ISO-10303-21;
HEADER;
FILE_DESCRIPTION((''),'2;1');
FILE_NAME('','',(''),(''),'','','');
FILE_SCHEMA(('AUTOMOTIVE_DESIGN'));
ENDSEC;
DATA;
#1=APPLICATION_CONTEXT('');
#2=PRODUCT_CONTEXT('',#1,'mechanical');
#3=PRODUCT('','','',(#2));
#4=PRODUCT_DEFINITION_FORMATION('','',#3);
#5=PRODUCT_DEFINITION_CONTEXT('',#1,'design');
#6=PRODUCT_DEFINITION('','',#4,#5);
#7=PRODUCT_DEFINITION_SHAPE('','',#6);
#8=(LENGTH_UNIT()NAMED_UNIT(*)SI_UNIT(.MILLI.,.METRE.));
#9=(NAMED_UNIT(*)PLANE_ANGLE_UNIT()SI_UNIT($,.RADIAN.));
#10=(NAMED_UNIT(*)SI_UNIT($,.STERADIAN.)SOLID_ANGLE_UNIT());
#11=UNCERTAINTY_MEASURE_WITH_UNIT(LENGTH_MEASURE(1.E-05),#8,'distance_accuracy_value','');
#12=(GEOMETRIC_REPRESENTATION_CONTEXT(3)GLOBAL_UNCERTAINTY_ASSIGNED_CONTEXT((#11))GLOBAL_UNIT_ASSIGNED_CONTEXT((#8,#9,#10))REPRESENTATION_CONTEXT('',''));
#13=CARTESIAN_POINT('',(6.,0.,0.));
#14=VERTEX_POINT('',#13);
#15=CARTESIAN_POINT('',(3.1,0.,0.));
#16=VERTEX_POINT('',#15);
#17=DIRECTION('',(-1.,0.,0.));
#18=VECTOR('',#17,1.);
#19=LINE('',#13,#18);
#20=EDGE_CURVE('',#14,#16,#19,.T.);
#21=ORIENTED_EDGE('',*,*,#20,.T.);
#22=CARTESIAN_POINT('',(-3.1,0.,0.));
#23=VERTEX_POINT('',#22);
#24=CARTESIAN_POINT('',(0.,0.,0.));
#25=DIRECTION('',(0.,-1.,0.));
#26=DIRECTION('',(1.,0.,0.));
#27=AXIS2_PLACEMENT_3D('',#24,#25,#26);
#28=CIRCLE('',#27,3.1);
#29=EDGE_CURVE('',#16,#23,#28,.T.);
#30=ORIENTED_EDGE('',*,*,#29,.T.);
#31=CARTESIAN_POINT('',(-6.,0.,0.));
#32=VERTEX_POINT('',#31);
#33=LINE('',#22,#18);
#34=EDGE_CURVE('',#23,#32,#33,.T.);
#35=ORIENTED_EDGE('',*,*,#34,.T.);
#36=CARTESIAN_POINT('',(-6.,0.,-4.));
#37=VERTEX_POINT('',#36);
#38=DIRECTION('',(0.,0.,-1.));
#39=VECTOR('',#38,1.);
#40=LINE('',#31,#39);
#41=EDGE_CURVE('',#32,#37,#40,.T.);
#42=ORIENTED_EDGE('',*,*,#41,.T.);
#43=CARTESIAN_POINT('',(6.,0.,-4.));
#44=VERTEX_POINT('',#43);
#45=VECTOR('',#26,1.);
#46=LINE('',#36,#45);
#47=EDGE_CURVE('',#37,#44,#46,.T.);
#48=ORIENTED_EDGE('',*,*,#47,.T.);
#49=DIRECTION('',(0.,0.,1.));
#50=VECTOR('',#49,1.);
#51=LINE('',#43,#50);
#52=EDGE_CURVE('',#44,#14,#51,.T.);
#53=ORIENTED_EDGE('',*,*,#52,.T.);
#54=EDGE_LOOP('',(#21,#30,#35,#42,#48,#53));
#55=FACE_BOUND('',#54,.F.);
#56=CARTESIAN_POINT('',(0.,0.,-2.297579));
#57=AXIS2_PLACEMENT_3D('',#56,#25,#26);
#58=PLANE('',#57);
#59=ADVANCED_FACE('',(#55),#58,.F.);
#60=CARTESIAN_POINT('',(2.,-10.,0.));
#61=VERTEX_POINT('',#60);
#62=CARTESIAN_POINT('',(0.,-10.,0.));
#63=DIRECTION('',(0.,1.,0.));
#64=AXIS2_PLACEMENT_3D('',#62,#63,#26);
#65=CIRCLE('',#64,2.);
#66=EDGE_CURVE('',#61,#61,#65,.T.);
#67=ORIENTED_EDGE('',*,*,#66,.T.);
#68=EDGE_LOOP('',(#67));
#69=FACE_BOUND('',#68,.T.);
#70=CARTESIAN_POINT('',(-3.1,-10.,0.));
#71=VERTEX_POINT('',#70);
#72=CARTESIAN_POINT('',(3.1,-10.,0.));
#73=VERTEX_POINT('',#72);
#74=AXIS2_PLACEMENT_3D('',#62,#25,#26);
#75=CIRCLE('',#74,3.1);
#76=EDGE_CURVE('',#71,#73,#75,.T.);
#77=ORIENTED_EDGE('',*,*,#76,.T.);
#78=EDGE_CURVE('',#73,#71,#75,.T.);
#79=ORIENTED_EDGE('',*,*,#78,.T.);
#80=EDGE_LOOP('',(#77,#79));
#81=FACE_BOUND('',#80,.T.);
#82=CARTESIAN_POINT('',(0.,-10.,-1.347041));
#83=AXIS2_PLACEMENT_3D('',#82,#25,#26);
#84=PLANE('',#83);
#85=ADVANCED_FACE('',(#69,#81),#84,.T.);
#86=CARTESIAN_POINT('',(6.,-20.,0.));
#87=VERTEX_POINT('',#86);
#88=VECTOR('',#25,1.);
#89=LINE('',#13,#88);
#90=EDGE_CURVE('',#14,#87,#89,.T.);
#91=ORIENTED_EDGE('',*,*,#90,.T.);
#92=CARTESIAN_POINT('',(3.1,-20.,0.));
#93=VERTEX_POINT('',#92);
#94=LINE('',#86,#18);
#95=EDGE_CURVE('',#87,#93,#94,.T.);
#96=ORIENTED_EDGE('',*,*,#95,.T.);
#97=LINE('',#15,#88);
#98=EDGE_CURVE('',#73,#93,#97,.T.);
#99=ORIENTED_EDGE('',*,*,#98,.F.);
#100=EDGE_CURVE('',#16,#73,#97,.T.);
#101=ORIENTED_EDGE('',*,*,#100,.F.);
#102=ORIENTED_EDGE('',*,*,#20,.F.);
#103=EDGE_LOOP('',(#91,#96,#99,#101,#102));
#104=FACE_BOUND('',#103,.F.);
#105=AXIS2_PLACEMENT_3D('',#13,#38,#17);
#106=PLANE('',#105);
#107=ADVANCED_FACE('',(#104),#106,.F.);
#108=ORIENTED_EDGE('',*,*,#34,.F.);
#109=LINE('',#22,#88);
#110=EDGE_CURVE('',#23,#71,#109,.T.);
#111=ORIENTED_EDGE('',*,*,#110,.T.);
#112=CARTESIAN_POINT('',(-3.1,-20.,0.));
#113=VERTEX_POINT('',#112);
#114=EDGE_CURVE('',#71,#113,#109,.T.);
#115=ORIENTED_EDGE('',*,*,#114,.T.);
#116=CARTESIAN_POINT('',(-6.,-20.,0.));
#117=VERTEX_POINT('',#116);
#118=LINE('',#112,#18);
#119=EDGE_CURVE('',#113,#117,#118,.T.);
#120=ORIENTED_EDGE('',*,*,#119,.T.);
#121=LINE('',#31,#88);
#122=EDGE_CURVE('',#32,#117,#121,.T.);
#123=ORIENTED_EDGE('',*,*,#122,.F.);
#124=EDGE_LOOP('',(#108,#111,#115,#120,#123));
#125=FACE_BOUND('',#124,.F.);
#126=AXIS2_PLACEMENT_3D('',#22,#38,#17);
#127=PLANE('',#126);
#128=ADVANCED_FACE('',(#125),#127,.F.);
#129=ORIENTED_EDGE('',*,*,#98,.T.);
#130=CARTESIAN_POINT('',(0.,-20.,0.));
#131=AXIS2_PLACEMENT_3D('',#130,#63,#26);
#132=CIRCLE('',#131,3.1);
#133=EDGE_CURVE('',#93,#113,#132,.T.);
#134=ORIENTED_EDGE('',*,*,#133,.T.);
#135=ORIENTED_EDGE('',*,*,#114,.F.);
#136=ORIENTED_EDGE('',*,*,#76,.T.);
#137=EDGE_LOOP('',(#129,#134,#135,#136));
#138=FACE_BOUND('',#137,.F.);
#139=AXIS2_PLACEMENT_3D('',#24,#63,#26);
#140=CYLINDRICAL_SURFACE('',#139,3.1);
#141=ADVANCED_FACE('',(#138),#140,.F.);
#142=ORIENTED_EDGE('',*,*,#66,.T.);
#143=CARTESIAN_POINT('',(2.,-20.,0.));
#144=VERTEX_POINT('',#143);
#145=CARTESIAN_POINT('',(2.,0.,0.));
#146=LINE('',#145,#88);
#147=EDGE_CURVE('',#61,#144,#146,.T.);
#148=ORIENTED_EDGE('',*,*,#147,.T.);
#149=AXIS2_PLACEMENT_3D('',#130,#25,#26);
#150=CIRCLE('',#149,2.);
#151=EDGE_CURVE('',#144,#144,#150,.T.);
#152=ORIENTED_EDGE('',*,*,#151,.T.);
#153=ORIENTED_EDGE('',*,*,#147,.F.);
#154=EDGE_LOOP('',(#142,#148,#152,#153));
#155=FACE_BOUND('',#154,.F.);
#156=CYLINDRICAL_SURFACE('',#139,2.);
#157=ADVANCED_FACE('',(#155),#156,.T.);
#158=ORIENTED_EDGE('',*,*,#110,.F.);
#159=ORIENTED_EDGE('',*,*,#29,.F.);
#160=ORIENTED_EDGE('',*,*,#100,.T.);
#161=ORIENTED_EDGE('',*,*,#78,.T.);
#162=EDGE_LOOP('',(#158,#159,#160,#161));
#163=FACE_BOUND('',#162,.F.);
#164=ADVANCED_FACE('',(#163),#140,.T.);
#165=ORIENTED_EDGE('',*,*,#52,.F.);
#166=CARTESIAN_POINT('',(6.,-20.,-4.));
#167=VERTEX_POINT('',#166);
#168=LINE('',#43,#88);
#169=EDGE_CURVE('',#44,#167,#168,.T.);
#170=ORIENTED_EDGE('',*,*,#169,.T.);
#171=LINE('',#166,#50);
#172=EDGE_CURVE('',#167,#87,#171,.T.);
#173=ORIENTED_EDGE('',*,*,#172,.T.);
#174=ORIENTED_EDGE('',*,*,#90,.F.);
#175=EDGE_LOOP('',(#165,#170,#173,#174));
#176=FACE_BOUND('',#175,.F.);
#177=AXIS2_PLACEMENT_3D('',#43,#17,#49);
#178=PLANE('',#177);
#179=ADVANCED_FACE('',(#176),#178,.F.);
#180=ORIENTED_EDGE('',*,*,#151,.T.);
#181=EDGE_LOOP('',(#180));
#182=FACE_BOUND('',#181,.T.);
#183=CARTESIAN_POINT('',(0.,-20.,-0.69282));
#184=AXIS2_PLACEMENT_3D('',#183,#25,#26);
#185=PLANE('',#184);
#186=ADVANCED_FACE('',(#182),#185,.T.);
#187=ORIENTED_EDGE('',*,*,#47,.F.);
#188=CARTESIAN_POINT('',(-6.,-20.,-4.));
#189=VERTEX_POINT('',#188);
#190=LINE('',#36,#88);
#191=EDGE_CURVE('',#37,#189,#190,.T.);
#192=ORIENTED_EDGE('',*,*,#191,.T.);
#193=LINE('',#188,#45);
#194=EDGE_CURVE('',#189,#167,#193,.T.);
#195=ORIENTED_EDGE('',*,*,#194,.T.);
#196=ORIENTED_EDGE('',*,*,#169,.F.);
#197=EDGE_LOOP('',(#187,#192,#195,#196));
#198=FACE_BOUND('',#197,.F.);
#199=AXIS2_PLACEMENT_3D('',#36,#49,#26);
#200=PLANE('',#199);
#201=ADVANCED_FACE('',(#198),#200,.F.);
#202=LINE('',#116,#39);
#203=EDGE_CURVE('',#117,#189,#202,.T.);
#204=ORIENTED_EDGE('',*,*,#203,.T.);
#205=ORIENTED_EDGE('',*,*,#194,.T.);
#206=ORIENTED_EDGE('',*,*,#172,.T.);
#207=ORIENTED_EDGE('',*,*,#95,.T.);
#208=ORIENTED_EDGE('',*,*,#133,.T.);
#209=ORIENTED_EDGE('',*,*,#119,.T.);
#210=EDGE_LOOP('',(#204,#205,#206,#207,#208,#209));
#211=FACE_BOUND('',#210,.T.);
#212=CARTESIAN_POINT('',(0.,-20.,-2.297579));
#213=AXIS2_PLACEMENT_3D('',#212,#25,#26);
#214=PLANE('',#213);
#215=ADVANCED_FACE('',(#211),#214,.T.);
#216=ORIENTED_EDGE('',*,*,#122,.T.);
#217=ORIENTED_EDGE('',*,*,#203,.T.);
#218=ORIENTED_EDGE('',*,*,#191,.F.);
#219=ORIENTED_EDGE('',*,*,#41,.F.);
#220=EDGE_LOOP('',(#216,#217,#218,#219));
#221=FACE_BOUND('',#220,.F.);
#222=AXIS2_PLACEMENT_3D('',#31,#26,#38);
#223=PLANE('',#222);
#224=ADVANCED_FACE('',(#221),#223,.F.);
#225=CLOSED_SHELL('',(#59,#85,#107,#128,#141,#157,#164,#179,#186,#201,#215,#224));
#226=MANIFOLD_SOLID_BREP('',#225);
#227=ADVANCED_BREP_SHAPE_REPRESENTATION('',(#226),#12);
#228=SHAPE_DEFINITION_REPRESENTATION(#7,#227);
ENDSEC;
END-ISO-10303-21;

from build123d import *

# Parameters (mm, degrees)
F1_DEPTH = 10
F2_DEPTH = 20


with BuildPart() as f1:
    # F0 (on Front) → F1 (new body)
    with BuildSketch(Plane.XZ):
        with BuildLine():
            Line((3.1, 0), (2, 0))
            ThreePointArc((2, 0), (0, -2), (-2, 0))
            Line((-2, 0), (-3.1, 0))
            ThreePointArc((-3.1, 0), (0, -3.1), (3.1, 0))
        make_face()
        with BuildLine():
            ThreePointArc((-2, 0), (0, 2), (2, 0))
            Line((2, 0), (3.1, 0))
            ThreePointArc((3.1, 0), (0, 3.1), (-3.1, 0))
            Line((-3.1, 0), (-2, 0))
        make_face()
    extrude(amount=F1_DEPTH)

    # F0 (on Front) → F2 (join)
    with BuildSketch(Plane.XZ):
        with BuildLine():
            Line((6, 0), (3.1, 0))
            ThreePointArc((3.1, 0), (0, -3.1), (-3.1, 0))
            Line((-3.1, 0), (-6, 0))
            Line((-6, 0), (-6, -4))
            Line((-6, -4), (6, -4))
            Line((6, -4), (6, 0))
        make_face()
        with BuildLine():
            ThreePointArc((-2, 0), (0, -2), (2, 0))
            Line((2, 0), (-2, 0))
        make_face()
        with BuildLine():
            Line((-2, 0), (2, 0))
            ThreePointArc((2, 0), (0, 2), (-2, 0))
        make_face()
    extrude(amount=F2_DEPTH)


solid = f1.part
